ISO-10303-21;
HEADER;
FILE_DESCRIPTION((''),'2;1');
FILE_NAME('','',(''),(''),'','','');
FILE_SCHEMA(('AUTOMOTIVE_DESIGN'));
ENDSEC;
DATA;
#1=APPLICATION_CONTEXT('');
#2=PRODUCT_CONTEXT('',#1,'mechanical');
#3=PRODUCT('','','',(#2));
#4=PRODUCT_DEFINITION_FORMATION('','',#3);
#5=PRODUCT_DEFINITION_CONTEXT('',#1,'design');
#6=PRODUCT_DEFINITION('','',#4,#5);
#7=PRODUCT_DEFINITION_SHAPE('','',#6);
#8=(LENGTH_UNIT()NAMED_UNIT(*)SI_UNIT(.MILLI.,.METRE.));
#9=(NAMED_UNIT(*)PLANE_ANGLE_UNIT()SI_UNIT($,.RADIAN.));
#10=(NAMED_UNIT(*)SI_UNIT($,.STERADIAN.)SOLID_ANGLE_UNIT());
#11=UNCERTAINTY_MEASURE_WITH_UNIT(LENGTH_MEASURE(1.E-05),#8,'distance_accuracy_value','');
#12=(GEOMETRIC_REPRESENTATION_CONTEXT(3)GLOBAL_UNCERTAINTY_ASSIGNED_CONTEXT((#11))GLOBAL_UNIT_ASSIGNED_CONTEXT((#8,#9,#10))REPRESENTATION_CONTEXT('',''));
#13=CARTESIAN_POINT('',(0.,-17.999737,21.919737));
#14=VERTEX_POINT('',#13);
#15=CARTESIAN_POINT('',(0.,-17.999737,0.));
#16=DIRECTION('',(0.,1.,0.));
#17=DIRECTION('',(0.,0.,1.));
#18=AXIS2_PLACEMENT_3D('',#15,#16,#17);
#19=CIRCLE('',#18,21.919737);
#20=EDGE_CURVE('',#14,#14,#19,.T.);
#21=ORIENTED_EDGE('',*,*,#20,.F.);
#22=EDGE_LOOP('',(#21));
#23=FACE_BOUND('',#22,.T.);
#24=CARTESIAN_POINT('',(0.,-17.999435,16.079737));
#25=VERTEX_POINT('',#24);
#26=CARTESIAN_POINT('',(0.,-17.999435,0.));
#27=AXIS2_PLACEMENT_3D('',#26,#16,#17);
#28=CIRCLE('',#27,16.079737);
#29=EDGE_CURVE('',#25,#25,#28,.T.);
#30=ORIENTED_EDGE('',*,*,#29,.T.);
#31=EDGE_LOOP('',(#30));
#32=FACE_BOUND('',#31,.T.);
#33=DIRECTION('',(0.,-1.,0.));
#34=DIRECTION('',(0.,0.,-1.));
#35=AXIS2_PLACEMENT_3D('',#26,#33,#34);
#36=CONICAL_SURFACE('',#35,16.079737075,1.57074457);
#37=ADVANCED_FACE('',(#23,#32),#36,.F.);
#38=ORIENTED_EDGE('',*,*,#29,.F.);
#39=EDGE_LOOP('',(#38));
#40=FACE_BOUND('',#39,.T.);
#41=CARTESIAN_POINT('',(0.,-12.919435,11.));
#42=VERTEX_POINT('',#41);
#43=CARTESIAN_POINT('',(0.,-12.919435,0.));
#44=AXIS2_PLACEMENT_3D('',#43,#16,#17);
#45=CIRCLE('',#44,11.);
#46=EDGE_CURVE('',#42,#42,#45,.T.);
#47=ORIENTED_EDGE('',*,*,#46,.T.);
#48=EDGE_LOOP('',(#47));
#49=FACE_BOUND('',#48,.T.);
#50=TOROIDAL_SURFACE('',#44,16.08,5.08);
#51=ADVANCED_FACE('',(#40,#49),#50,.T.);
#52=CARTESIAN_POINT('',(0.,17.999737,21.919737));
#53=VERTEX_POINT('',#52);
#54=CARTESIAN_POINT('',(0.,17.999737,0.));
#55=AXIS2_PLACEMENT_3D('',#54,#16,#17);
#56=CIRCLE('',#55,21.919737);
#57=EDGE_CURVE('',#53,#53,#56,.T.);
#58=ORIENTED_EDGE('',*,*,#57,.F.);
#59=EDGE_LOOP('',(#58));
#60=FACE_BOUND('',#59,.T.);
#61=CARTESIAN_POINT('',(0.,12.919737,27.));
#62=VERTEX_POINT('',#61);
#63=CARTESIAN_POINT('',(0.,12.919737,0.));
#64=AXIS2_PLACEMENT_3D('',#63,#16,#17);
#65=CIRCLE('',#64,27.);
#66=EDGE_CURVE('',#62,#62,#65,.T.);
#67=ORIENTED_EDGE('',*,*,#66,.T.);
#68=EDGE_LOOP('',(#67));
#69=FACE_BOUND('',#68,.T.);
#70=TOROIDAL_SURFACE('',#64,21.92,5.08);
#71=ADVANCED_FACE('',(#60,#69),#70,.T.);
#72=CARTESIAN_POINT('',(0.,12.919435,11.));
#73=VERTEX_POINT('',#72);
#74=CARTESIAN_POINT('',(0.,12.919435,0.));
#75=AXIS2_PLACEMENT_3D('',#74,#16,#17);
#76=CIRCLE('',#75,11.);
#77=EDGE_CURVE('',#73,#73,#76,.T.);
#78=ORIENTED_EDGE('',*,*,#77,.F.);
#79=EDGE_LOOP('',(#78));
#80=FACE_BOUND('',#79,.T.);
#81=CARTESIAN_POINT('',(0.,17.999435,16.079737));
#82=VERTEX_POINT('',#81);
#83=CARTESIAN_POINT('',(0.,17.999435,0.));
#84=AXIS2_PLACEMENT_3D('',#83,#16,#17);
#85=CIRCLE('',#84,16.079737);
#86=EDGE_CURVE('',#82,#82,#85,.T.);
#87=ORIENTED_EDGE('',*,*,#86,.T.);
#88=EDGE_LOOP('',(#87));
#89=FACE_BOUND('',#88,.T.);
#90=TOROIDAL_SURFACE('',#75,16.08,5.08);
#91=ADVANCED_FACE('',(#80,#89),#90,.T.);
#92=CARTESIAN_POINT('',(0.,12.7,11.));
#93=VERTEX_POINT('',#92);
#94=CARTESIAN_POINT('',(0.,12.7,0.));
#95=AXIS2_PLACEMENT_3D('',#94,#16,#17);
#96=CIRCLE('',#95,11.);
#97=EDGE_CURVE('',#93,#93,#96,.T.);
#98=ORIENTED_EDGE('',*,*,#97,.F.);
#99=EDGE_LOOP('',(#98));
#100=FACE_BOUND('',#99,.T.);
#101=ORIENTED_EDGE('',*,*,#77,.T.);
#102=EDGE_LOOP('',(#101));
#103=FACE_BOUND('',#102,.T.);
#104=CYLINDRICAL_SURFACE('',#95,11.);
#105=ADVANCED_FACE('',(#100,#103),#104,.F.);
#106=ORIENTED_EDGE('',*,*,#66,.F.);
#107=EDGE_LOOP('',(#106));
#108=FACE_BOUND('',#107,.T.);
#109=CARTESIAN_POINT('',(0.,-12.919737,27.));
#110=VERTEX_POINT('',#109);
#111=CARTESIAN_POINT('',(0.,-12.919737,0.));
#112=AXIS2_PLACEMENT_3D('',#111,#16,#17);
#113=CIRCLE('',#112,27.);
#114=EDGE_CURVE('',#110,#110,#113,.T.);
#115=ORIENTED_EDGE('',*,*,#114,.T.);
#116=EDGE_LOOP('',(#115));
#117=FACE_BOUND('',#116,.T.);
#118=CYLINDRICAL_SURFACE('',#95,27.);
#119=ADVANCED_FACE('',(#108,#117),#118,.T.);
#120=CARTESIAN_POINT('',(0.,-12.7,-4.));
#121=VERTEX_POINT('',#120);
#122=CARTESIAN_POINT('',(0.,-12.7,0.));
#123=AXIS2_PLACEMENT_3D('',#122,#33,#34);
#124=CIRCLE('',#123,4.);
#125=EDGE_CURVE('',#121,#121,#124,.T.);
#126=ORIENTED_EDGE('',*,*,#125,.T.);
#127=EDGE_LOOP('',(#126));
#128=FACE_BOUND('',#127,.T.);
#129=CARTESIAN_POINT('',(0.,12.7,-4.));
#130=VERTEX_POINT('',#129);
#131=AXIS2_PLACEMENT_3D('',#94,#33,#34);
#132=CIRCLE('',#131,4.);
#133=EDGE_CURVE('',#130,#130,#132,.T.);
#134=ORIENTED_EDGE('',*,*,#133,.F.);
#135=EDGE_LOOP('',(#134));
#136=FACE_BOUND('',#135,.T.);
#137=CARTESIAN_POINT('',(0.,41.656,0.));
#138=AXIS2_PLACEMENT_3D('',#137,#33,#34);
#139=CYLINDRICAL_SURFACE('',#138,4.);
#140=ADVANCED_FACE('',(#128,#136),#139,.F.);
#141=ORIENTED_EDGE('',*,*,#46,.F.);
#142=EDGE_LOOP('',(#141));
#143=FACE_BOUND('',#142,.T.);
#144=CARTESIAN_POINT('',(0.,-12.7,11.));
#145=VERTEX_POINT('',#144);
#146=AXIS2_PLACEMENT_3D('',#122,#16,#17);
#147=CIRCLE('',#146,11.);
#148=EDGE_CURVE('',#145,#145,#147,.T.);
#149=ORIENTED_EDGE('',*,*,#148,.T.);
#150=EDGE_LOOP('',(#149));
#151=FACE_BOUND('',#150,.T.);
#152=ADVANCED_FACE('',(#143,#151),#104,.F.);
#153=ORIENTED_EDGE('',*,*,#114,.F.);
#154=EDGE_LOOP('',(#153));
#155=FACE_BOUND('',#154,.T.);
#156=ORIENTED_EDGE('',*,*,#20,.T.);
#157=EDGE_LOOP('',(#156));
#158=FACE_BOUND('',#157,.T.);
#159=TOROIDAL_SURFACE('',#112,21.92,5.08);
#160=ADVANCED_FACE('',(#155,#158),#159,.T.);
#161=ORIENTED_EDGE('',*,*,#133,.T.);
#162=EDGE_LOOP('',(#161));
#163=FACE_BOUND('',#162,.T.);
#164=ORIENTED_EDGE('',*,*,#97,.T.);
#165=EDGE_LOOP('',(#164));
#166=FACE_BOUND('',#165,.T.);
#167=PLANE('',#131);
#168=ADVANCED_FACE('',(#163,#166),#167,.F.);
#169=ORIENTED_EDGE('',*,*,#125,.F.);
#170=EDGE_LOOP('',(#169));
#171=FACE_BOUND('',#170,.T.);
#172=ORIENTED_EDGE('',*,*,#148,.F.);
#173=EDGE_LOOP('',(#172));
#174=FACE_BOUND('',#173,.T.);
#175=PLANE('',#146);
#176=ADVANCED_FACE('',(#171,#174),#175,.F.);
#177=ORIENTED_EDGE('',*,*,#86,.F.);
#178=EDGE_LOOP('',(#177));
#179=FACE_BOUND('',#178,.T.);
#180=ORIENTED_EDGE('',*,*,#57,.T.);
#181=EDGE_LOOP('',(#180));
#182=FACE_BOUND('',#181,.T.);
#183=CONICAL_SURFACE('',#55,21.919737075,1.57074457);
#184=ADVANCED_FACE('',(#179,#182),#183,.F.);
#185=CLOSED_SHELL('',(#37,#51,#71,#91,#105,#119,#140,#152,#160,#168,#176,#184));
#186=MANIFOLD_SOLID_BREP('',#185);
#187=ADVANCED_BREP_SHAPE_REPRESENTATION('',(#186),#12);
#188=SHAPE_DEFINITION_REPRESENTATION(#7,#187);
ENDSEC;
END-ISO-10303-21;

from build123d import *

# Parameters (mm, degrees)
SKETCH2_R          = 4
CUT_EXTRUDE1_DEPTH = 54.356


with BuildPart() as part:
    # Sketch1 → Revolve3 (revolve)
    with BuildSketch(Plane.XY, mode=Mode.PRIVATE) as revolve3_sk:
        with BuildLine():
            Line((0, 12.7), (0, -12.7))
            Line((0, -12.7), (11, -12.7))
            Line((11, -12.7), (11, -12.919434808))
            ThreePointArc((11, -12.919434808), (12.487804595, -16.511444297), (16.079737075, -17.999434801))
            Line((16.079737075, -17.999434801), (21.919737075, -17.999737061))
            ThreePointArc((21.919737075, -17.999737061), (25.512009489, -16.511932473), (27, -12.919737068))
            Line((27, -12.919737068), (27, 12.919737068))
            ThreePointArc((27, 12.919737068), (25.512009489, 16.511932473), (21.919737075, 17.999737061))
            Line((21.919737075, 17.999737061), (16.079737075, 17.999434801))
            ThreePointArc((16.079737075, 17.999434801), (12.487804595, 16.511444297), (11, 12.919434808))
            Line((11, 12.919434808), (11, 12.7))
            Line((11, 12.7), (0, 12.7))
        make_face()
    revolve(revolve3_sk.sketch.rotate(Axis((0, 12.7, 0), (0, -1, 0)), 90), axis=Axis((0, 12.7, 0), (0, -1, 0)))

    # Sketch2 → Cut-Extrude1 (cut)
    with BuildSketch(Plane.XZ.offset(12.7)):
        with Locations(Location((0, 0, 0), (0, 0, 270))):
            Circle(SKETCH2_R)
    extrude(amount=-CUT_EXTRUDE1_DEPTH, mode=Mode.SUBTRACT)


solid = part.part
